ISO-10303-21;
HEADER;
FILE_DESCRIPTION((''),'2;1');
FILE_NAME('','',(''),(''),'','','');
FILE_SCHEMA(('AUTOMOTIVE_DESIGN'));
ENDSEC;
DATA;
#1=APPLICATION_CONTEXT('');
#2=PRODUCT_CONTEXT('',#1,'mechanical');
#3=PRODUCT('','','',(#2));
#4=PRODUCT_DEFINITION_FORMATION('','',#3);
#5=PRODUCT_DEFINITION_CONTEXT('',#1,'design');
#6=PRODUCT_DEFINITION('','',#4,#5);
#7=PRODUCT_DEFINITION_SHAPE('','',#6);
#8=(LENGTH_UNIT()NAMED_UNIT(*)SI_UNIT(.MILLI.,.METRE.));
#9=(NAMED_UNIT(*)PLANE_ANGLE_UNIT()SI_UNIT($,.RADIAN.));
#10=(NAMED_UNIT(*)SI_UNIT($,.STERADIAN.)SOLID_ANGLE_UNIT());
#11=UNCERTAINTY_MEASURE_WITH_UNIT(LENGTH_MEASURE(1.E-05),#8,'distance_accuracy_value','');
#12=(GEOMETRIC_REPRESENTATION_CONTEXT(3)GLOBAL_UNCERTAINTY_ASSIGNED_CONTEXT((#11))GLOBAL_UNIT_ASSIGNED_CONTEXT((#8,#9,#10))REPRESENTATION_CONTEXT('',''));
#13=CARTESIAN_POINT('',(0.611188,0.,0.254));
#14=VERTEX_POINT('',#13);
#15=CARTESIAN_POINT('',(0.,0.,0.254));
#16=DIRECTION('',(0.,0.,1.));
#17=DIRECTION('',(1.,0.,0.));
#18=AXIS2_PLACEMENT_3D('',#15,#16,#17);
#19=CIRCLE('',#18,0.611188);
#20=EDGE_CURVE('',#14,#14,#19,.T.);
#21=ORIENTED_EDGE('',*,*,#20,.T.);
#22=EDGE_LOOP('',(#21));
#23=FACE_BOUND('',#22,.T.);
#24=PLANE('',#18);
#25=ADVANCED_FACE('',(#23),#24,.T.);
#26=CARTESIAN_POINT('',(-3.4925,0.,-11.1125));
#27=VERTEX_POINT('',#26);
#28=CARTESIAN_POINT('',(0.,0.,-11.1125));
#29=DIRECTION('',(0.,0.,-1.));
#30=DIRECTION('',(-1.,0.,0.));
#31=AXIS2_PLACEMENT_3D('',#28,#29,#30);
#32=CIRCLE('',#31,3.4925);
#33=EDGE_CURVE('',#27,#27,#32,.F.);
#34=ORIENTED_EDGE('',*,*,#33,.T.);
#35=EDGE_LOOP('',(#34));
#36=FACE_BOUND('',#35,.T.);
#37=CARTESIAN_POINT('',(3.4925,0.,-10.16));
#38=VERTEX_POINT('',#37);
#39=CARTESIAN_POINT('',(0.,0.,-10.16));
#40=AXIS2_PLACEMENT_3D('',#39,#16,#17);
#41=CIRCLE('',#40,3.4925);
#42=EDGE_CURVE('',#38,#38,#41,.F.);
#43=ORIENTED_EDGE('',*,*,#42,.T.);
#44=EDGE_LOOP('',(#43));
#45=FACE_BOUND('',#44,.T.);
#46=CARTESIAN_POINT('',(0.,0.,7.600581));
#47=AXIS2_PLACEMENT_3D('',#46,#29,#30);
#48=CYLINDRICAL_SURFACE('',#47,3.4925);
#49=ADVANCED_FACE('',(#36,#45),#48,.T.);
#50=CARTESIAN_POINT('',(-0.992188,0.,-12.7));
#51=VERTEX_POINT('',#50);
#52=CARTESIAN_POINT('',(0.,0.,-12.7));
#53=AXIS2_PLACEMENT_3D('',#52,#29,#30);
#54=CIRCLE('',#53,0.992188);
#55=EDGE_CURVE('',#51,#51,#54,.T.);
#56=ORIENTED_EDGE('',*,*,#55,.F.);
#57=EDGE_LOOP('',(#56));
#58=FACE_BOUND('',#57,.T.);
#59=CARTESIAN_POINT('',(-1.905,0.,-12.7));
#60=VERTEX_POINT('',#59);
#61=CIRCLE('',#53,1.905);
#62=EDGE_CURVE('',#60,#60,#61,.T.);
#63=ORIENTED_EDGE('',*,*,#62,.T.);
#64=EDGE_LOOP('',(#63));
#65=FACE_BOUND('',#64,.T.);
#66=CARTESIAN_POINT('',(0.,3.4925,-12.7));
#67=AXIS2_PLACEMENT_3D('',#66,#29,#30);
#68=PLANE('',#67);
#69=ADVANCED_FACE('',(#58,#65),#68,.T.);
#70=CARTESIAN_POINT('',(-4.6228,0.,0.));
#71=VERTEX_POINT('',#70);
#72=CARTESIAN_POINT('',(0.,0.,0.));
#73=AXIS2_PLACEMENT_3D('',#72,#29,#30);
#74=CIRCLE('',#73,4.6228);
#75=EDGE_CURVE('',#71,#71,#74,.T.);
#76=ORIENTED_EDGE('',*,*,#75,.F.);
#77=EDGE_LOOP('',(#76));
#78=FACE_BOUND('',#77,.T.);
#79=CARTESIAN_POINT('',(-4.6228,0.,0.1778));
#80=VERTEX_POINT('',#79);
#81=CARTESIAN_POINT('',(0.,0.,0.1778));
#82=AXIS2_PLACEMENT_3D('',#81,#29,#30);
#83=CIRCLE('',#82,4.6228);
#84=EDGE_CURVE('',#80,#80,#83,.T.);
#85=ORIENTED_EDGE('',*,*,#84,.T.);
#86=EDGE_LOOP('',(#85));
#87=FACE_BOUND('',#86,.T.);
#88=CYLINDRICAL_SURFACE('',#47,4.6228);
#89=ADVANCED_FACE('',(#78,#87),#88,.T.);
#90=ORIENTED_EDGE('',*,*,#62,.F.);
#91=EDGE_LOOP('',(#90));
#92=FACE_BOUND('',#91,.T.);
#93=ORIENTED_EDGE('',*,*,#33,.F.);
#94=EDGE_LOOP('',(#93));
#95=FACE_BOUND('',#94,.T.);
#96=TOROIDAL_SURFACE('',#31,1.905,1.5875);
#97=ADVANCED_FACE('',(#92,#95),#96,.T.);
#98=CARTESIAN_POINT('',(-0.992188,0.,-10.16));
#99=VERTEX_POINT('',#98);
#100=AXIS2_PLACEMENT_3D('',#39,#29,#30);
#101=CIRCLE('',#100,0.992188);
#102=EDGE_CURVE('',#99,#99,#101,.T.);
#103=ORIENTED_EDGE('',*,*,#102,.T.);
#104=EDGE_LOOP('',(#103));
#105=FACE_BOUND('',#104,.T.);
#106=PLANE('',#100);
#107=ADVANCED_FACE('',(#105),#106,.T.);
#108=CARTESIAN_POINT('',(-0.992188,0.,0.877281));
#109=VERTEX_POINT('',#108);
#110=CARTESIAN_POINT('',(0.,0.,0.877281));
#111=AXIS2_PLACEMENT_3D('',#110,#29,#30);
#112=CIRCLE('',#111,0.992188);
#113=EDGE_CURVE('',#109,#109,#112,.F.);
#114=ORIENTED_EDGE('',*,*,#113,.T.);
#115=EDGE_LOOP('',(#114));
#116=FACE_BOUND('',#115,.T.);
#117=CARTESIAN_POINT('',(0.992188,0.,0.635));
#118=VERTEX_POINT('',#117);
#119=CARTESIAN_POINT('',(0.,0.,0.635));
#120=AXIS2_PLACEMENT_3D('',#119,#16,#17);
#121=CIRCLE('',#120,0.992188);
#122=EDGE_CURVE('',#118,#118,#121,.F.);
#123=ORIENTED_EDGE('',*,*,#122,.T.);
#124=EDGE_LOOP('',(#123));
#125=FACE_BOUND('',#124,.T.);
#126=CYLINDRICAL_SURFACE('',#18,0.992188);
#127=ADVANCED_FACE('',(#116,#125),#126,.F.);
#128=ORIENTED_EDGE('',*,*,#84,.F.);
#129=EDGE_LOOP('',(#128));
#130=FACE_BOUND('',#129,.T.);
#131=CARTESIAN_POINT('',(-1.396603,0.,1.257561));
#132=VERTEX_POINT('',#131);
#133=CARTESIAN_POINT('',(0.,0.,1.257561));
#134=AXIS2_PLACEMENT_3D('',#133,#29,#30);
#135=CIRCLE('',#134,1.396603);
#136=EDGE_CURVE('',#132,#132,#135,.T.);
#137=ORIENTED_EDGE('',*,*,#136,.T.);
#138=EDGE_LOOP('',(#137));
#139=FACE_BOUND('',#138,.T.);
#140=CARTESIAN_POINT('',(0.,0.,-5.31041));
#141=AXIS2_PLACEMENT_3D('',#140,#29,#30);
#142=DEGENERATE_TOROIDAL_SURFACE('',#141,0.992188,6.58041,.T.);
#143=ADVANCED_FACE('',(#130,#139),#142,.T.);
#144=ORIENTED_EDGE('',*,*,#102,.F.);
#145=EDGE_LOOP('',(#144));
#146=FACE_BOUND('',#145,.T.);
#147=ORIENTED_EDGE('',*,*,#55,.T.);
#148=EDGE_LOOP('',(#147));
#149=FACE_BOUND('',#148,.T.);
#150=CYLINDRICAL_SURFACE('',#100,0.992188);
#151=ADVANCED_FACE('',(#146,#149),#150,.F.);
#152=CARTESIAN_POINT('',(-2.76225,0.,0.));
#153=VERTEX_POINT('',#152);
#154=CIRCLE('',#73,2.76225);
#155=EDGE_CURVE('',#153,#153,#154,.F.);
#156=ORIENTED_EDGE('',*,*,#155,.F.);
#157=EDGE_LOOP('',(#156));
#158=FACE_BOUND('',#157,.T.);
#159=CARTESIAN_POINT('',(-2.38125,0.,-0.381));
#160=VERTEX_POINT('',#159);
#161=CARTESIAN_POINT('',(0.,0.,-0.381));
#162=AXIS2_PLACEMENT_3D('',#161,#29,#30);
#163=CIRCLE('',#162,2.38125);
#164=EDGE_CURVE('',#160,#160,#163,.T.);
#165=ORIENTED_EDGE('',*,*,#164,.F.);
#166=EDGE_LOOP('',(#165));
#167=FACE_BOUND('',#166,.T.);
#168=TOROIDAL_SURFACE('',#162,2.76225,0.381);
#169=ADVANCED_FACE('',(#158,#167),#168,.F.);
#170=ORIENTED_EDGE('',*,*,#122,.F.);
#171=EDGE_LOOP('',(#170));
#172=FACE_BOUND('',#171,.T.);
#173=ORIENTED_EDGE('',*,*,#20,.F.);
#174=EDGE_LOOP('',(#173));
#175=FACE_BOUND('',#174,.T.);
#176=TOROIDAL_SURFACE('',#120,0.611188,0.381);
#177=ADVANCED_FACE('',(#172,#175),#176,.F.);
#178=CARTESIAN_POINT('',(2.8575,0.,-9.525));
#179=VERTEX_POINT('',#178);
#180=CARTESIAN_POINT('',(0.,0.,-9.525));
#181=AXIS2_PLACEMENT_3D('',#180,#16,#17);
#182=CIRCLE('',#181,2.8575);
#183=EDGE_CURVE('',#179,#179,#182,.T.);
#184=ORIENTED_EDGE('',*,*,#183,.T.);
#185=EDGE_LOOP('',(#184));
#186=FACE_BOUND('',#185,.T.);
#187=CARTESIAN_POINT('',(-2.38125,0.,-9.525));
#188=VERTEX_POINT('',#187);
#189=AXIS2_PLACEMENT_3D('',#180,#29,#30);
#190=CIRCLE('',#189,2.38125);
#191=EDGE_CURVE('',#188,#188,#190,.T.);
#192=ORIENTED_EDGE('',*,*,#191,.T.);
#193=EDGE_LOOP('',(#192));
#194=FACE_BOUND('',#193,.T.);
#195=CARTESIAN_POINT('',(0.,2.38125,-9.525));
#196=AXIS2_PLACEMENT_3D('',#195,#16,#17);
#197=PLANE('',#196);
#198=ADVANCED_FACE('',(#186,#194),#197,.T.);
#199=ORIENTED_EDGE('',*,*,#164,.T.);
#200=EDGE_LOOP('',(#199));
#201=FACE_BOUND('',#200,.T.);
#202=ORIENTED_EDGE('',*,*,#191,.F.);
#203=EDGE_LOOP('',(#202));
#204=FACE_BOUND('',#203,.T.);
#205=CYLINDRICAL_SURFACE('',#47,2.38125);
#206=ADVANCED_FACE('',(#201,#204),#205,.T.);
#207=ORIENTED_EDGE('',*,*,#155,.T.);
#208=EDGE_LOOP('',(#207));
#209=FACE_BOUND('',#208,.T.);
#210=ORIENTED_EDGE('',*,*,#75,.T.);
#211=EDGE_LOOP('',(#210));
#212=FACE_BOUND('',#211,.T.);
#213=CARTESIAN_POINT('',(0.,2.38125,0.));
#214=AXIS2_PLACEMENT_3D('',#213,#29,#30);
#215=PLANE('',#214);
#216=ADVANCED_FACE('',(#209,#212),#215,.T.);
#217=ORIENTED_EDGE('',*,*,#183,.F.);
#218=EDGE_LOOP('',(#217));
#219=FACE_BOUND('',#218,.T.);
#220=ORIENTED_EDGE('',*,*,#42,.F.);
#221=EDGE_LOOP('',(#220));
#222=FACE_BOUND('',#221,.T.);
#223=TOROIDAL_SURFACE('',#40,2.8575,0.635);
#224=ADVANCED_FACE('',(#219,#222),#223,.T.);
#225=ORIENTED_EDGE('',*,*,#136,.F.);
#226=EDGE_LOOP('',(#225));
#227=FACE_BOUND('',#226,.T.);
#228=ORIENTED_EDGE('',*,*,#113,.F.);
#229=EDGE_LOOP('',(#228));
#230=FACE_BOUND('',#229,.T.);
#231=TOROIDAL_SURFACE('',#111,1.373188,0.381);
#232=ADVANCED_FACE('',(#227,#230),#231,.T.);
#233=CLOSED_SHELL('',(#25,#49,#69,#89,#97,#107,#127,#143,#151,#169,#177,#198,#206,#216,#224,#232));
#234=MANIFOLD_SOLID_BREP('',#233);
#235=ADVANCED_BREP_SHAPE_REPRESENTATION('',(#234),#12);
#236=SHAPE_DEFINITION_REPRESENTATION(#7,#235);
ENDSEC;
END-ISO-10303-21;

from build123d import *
from OCP.BRepFilletAPI import BRepFilletAPI_MakeFillet

# Parameters (mm, degrees)
SKETCH4_R          = 0.9921875
CUT_EXTRUDE1_DEPTH = 1.016
CUT_EXTRUDE2_START = -2.54
SKETCH3_R          = 0.9921875
CUT_EXTRUDE2_DEPTH = 2.54
FILLET1_R1         = 0.635
FILLET1_R2         = 1.5875
FILLET1_R3         = 0.381


with BuildPart() as part:
    # Sketch2 → Revolve1 (revolve)
    with BuildSketch(Plane(origin=(0, 0, 0), x_dir=(0, 0, -1), z_dir=(1, 0, 0))):
        with BuildLine():
            Line((-1.27, 0.9921875), (-1.27, 0))
            Line((-1.27, 0), (9.525, 0))
            Line((9.525, 0), (12.7, 0))
            Line((12.7, 0), (12.7, 3.4925))
            Line((12.7, 3.4925), (9.525, 3.4925))
            Line((9.525, 3.4925), (9.525, 2.38125))
            Line((9.525, 2.38125), (0, 2.38125))
            Line((0, 2.38125), (0, 4.6228))
            Line((0, 4.6228), (-0.1778, 4.6228))
            ThreePointArc((-0.1778, 4.6228), (-0.991036966, 2.887856773), (-1.27, 0.9921875))
        make_face()
    revolve(axis=Axis((0, 0, 7.600580616), (0, 0, 1)))

    # Sketch4 → Cut-Extrude1 (cut)
    with BuildSketch(Plane.XY.offset(1.27)):
        Circle(SKETCH4_R)
    extrude(amount=-CUT_EXTRUDE1_DEPTH, mode=Mode.SUBTRACT)

    # Sketch3 → Cut-Extrude2 (cut)
    with BuildSketch(Plane(origin=(0, 0, -12.7), x_dir=(-1, 0, 0), z_dir=(0, 0, -1)).offset(CUT_EXTRUDE2_START)):
        Circle(SKETCH3_R)
    extrude(amount=CUT_EXTRUDE2_DEPTH, mode=Mode.SUBTRACT)

    # Fillet1: one fillet with a radius per group of edges: ONE call of the kernel's fillet builder (fillet() takes one radius for all edges)
    fillet1_edges_1 = [part.edges().sort_by_distance(p)[0] for p in [
        (0, -3.4925, -9.525),
    ]]
    fillet1_edges_2 = [part.edges().sort_by_distance(p)[0] for p in [
        (0, -3.4925, -12.7),
    ]]
    fillet1_edges_3 = [part.edges().sort_by_distance(p)[0] for p in [
        (0, -2.38125, 0),
        (-0.701582509, -0.701582509, 1.27),
        (-0.9921875, 0, 0.254),
    ]]
    fillet1 = BRepFilletAPI_MakeFillet(part.part.solid().wrapped)
    for e in fillet1_edges_1:
        fillet1.Add(FILLET1_R1, e.wrapped)
    for e in fillet1_edges_2:
        fillet1.Add(FILLET1_R2, e.wrapped)
    for e in fillet1_edges_3:
        fillet1.Add(FILLET1_R3, e.wrapped)
    add(Compound.cast(fillet1.Shape()), mode=Mode.REPLACE)


solid = part.part
